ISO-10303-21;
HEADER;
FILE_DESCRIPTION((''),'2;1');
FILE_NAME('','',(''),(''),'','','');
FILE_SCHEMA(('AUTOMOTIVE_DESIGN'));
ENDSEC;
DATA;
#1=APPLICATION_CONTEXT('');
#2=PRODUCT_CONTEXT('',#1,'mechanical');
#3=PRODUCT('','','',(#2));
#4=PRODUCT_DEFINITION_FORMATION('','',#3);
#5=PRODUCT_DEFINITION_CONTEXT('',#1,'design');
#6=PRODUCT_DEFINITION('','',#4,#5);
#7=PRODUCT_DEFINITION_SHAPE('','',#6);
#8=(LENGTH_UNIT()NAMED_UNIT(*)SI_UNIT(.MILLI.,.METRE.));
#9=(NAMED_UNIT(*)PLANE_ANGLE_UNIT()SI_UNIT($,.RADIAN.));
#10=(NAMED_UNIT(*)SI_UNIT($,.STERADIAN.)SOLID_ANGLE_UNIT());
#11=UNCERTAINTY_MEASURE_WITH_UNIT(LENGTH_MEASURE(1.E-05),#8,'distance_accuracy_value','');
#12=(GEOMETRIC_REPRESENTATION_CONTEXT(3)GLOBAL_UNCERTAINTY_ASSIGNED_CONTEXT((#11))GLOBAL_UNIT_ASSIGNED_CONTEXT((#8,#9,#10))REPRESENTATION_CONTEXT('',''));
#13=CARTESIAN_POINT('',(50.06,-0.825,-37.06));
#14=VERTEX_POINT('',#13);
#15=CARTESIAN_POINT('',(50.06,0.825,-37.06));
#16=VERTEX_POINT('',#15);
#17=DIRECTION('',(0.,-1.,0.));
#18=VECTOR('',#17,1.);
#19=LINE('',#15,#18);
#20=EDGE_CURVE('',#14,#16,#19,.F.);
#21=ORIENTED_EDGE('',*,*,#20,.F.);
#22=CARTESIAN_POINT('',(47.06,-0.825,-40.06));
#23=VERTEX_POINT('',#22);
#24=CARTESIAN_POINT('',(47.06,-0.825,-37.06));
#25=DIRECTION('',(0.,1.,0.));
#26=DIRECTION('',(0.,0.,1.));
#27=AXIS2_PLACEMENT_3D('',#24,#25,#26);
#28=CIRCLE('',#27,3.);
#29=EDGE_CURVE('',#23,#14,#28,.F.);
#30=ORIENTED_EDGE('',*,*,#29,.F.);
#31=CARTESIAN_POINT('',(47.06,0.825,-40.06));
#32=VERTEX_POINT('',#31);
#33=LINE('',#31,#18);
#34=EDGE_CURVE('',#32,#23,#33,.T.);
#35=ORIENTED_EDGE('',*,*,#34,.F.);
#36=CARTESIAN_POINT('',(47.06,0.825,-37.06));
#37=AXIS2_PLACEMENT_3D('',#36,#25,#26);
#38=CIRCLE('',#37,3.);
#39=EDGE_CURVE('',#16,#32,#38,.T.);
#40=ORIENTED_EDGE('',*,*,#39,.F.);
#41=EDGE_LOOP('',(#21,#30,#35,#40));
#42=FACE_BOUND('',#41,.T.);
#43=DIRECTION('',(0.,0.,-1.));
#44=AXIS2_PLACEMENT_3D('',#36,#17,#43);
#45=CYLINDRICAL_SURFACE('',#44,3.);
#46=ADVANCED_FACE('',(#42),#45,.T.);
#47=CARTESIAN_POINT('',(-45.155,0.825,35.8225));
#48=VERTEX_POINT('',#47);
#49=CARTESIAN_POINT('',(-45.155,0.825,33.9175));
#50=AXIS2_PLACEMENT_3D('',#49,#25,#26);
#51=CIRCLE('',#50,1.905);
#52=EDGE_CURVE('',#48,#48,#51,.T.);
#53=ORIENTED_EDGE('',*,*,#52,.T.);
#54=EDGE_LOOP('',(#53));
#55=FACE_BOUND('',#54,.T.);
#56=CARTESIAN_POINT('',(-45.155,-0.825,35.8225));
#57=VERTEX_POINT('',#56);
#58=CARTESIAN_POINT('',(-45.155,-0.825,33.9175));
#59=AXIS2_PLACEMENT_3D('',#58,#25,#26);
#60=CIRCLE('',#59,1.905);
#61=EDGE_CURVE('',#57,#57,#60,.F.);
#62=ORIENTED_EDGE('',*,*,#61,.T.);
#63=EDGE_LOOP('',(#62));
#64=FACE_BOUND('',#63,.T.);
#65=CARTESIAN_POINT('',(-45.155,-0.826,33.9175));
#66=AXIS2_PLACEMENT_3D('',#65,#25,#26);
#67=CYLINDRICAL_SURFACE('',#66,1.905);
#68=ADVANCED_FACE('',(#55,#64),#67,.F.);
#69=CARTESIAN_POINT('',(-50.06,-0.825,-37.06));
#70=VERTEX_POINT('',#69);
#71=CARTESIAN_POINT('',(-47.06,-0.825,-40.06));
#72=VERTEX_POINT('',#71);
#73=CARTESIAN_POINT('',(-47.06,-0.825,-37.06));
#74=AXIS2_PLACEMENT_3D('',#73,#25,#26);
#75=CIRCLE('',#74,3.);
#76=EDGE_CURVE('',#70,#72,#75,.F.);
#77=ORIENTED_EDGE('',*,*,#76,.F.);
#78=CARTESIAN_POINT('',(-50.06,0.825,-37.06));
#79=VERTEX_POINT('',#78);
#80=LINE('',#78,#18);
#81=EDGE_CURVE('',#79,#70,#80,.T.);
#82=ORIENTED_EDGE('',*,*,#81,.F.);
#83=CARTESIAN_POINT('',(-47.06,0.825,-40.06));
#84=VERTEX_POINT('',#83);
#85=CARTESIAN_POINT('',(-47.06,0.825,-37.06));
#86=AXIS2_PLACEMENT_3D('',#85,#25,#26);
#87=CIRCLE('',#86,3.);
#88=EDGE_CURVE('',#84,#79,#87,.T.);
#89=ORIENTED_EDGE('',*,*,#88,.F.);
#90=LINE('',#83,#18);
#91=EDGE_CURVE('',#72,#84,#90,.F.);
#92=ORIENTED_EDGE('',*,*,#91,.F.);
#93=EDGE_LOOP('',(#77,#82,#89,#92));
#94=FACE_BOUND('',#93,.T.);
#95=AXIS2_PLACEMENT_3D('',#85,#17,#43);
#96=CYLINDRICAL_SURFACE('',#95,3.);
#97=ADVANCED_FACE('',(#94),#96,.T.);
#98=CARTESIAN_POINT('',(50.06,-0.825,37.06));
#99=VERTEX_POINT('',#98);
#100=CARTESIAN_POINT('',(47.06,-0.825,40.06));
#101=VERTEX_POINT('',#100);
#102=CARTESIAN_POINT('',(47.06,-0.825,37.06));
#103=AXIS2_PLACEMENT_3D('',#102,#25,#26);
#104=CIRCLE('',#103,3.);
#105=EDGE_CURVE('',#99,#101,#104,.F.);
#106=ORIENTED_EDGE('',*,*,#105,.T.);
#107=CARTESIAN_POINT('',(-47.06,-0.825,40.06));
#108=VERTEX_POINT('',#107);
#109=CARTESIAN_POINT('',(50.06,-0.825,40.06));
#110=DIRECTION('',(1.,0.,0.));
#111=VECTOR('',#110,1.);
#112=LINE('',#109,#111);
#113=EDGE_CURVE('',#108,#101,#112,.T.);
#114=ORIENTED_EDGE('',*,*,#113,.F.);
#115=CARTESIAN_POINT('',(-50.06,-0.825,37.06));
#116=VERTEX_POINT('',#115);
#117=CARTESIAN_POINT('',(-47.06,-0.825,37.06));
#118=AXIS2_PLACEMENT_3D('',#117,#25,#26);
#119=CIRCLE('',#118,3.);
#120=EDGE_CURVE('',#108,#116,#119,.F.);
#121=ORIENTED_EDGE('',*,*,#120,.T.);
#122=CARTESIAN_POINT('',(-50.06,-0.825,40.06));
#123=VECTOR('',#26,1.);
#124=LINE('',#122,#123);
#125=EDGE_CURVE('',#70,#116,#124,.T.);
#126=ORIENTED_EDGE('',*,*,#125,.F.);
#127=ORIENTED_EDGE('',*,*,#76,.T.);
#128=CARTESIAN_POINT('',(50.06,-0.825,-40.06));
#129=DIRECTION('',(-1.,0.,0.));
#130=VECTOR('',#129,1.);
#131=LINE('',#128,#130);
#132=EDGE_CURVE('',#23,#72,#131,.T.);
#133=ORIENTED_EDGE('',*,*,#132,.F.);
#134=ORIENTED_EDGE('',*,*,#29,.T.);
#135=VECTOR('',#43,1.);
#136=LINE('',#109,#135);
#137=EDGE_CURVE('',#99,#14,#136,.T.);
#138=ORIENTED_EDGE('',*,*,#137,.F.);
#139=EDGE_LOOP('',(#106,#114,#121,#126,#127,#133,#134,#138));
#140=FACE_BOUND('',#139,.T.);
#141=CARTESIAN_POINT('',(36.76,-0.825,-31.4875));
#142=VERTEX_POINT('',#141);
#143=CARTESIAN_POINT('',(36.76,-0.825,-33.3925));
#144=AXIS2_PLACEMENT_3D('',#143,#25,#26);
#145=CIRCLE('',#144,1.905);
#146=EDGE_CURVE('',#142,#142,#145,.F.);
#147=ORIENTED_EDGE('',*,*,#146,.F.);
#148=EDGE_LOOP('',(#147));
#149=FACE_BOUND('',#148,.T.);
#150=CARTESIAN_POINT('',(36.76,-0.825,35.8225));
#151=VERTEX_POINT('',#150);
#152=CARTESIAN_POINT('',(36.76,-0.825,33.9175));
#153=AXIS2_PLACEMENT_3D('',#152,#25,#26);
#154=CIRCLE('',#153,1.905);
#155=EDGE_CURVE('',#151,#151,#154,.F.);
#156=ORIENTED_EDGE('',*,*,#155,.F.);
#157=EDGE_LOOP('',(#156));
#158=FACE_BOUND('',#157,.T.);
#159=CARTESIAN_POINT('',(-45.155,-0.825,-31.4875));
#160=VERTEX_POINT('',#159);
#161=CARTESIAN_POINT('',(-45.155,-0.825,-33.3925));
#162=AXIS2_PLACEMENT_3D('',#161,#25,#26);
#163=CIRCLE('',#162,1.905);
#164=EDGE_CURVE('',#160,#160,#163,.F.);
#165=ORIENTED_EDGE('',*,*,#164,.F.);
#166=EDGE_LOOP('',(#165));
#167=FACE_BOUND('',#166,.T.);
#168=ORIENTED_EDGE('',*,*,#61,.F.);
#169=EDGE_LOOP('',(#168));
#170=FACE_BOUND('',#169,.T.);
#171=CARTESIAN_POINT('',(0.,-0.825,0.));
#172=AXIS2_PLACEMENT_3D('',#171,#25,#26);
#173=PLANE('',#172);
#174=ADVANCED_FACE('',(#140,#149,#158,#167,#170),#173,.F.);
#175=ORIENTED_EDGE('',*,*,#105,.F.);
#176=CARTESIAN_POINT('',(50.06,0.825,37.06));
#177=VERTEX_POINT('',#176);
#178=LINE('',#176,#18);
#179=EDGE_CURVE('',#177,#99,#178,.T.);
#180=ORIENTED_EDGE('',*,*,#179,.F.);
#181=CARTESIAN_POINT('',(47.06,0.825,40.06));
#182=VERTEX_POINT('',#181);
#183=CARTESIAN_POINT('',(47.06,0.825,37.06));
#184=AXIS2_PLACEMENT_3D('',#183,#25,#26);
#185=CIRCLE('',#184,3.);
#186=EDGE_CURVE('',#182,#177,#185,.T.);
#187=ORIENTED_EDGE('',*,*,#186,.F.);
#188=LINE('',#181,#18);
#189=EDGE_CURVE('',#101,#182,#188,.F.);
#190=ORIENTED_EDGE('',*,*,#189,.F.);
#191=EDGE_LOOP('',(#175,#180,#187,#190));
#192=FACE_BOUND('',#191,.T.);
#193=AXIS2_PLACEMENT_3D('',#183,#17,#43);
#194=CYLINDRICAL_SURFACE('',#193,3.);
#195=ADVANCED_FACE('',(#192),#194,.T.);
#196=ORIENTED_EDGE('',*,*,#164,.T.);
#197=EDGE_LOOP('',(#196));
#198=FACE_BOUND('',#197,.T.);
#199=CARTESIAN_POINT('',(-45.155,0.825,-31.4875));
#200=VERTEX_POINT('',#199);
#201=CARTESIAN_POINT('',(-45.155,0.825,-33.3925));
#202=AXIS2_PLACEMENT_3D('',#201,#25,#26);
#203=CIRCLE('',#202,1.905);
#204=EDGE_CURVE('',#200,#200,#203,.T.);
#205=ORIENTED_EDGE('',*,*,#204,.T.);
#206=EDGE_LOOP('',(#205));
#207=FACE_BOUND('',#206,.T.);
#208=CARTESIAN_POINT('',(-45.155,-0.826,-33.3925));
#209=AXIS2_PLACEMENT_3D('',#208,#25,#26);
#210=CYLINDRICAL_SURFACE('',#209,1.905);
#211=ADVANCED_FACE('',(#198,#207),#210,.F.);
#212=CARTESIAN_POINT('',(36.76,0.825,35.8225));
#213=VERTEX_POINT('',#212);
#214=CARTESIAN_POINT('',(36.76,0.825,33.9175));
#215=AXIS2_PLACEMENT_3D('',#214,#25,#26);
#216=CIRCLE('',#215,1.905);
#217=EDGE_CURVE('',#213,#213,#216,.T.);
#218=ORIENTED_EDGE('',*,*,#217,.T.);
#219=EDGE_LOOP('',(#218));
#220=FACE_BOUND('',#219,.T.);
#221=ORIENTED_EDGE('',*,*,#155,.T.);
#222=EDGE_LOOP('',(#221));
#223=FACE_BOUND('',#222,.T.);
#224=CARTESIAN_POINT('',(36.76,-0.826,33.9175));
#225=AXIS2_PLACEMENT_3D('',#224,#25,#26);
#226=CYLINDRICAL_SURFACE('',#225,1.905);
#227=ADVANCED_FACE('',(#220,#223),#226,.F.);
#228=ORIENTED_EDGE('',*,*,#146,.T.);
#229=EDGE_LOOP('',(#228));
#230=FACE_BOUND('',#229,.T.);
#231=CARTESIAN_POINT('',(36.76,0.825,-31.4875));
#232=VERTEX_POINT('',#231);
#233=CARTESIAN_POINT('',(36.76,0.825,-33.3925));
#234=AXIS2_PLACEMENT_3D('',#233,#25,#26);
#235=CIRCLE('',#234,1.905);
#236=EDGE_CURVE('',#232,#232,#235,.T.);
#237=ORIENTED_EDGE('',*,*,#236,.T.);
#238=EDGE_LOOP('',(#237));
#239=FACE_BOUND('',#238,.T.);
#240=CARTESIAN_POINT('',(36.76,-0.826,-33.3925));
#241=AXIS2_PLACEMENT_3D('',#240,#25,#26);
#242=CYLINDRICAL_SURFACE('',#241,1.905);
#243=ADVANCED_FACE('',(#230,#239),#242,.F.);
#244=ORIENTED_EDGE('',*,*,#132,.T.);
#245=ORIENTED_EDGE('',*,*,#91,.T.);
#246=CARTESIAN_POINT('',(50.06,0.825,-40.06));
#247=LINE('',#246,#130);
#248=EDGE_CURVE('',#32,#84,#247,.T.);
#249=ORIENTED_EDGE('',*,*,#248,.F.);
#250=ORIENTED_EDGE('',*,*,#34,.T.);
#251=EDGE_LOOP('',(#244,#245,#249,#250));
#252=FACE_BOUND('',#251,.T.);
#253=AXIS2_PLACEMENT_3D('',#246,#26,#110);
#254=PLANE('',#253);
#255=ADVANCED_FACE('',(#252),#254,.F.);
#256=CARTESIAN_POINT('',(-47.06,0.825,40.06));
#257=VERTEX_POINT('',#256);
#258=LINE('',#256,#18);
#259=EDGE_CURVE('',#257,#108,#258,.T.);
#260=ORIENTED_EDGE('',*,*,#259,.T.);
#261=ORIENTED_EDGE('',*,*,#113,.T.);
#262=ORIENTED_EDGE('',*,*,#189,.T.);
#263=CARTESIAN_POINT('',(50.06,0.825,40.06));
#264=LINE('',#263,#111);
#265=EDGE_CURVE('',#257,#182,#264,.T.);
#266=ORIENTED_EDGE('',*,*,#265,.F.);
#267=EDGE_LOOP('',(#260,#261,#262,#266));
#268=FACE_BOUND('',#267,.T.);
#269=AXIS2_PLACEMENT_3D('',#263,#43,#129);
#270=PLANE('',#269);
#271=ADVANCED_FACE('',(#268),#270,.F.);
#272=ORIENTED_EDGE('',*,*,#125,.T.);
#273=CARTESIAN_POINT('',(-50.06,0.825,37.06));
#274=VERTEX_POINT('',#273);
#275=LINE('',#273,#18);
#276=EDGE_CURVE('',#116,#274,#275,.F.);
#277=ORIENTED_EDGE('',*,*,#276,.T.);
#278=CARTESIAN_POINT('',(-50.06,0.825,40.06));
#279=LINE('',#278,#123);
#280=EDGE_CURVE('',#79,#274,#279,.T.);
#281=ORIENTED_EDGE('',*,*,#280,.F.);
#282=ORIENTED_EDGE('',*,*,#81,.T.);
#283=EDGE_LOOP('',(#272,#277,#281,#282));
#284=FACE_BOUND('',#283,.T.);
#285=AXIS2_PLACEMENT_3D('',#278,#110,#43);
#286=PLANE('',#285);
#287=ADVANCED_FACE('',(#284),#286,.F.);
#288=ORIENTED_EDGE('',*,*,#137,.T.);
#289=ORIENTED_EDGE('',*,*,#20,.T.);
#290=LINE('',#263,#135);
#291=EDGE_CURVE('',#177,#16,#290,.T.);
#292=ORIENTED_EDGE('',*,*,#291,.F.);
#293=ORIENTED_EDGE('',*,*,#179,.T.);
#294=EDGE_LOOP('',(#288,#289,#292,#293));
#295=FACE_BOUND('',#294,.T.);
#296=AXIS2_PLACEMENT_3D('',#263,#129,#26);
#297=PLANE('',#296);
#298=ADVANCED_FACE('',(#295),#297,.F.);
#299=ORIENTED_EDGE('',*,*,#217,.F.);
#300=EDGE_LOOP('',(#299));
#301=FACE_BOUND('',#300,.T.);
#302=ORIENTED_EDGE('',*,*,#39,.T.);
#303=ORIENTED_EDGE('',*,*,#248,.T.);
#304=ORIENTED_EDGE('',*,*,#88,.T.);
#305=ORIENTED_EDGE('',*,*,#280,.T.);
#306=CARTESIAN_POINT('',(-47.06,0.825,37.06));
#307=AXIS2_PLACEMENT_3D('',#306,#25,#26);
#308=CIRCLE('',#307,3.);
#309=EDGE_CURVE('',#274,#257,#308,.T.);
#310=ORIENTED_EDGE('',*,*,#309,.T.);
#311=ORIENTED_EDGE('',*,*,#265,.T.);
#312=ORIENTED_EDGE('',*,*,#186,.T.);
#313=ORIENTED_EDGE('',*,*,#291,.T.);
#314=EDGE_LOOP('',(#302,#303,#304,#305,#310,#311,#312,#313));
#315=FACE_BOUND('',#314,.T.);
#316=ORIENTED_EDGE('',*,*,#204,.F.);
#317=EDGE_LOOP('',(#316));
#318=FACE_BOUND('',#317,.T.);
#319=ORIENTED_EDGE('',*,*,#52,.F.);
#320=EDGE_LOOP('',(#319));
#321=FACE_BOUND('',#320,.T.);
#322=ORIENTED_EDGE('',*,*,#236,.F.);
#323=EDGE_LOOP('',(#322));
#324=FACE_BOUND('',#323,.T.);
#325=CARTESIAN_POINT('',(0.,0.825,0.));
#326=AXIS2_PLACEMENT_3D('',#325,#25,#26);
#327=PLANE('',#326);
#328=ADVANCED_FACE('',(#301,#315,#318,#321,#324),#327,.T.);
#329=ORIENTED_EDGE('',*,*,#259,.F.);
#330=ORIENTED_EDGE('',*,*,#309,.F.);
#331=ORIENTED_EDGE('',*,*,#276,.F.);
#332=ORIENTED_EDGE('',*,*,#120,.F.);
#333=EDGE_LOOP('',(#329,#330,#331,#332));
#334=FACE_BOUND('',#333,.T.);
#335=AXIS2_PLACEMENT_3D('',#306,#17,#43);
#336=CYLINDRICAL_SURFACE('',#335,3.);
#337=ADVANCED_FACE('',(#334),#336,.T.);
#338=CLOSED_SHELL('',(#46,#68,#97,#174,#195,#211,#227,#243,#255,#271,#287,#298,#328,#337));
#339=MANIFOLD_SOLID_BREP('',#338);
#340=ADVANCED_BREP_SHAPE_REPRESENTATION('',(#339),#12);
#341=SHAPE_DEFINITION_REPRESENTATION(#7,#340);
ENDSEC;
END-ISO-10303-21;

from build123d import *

# Parameters (mm, degrees)
SKETCH1_W           = 100.12
SKETCH1_H           = 80.12
BOSS_EXTRUDE1_DEPTH = 0.825
FILLET1_R           = 3
CUT_EXTRUDE1_REACH  = 66.137
SKETCH2_R           = 1.905


with BuildPart() as part:
    # Sketch1 → Boss-Extrude1 (new, symmetric)
    with BuildSketch(Plane(origin=(0, 0, 0), x_dir=(1, 0, 0), z_dir=(0, 1, 0))):
        Rectangle(SKETCH1_W, SKETCH1_H)
    extrude(amount=BOSS_EXTRUDE1_DEPTH, both=True)

    # Fillet1
    fillet1_edges = [part.edges().sort_by_distance(p)[0] for p in [
        (-50.06, 0, -40.06),
        (50.06, 0, -40.06),
        (50.06, 0, 40.06),
        (-50.06, 0, 40.06),
    ]]
    fillet(fillet1_edges, radius=FILLET1_R)

    # Sketch2 → Cut-Extrude1 (cut, up to next)
    with BuildSketch(Plane(origin=(0, 0.825, 0), x_dir=(1, 0, 0), z_dir=(0, 1, 0)), mode=Mode.PRIVATE) as cut_extrude1_sk1:
        with Locations(Location((-45.155, 33.3925, 0), (0, 0, 270))):
            Circle(SKETCH2_R)
    cut_extrude1_tool1 = extrude(cut_extrude1_sk1.sketch, amount=-CUT_EXTRUDE1_REACH, mode=Mode.PRIVATE) & part.part
    # Sketch2 → Cut-Extrude1 (cut, up to next)
    with BuildSketch(Plane(origin=(0, 0.825, 0), x_dir=(1, 0, 0), z_dir=(0, 1, 0)), mode=Mode.PRIVATE) as cut_extrude1_sk2:
        with Locations(Location((-45.155, -33.9175, 0), (0, 0, 270))):
            Circle(SKETCH2_R)
    cut_extrude1_tool2 = extrude(cut_extrude1_sk2.sketch, amount=-CUT_EXTRUDE1_REACH, mode=Mode.PRIVATE) & part.part
    # Sketch2 → Cut-Extrude1 (cut, up to next)
    with BuildSketch(Plane(origin=(0, 0.825, 0), x_dir=(1, 0, 0), z_dir=(0, 1, 0)), mode=Mode.PRIVATE) as cut_extrude1_sk3:
        with Locations(Location((36.76, -33.9175, 0), (0, 0, 270))):
            Circle(SKETCH2_R)
    cut_extrude1_tool3 = extrude(cut_extrude1_sk3.sketch, amount=-CUT_EXTRUDE1_REACH, mode=Mode.PRIVATE) & part.part
    # Sketch2 → Cut-Extrude1 (cut, up to next)
    with BuildSketch(Plane(origin=(0, 0.825, 0), x_dir=(1, 0, 0), z_dir=(0, 1, 0)), mode=Mode.PRIVATE) as cut_extrude1_sk4:
        with Locations(Location((36.76, 33.3925, 0), (0, 0, 270))):
            Circle(SKETCH2_R)
    cut_extrude1_tool4 = extrude(cut_extrude1_sk4.sketch, amount=-CUT_EXTRUDE1_REACH, mode=Mode.PRIVATE) & part.part
    add(cut_extrude1_tool1.solids().sort_by_distance((-45.155, 0.825, -33.3925))[0], mode=Mode.SUBTRACT)
    add(cut_extrude1_tool2.solids().sort_by_distance((-45.155, 0.825, 33.9175))[0], mode=Mode.SUBTRACT)
    add(cut_extrude1_tool3.solids().sort_by_distance((36.76, 0.825, 33.9175))[0], mode=Mode.SUBTRACT)
    add(cut_extrude1_tool4.solids().sort_by_distance((36.76, 0.825, -33.3925))[0], mode=Mode.SUBTRACT)


solid = part.part
